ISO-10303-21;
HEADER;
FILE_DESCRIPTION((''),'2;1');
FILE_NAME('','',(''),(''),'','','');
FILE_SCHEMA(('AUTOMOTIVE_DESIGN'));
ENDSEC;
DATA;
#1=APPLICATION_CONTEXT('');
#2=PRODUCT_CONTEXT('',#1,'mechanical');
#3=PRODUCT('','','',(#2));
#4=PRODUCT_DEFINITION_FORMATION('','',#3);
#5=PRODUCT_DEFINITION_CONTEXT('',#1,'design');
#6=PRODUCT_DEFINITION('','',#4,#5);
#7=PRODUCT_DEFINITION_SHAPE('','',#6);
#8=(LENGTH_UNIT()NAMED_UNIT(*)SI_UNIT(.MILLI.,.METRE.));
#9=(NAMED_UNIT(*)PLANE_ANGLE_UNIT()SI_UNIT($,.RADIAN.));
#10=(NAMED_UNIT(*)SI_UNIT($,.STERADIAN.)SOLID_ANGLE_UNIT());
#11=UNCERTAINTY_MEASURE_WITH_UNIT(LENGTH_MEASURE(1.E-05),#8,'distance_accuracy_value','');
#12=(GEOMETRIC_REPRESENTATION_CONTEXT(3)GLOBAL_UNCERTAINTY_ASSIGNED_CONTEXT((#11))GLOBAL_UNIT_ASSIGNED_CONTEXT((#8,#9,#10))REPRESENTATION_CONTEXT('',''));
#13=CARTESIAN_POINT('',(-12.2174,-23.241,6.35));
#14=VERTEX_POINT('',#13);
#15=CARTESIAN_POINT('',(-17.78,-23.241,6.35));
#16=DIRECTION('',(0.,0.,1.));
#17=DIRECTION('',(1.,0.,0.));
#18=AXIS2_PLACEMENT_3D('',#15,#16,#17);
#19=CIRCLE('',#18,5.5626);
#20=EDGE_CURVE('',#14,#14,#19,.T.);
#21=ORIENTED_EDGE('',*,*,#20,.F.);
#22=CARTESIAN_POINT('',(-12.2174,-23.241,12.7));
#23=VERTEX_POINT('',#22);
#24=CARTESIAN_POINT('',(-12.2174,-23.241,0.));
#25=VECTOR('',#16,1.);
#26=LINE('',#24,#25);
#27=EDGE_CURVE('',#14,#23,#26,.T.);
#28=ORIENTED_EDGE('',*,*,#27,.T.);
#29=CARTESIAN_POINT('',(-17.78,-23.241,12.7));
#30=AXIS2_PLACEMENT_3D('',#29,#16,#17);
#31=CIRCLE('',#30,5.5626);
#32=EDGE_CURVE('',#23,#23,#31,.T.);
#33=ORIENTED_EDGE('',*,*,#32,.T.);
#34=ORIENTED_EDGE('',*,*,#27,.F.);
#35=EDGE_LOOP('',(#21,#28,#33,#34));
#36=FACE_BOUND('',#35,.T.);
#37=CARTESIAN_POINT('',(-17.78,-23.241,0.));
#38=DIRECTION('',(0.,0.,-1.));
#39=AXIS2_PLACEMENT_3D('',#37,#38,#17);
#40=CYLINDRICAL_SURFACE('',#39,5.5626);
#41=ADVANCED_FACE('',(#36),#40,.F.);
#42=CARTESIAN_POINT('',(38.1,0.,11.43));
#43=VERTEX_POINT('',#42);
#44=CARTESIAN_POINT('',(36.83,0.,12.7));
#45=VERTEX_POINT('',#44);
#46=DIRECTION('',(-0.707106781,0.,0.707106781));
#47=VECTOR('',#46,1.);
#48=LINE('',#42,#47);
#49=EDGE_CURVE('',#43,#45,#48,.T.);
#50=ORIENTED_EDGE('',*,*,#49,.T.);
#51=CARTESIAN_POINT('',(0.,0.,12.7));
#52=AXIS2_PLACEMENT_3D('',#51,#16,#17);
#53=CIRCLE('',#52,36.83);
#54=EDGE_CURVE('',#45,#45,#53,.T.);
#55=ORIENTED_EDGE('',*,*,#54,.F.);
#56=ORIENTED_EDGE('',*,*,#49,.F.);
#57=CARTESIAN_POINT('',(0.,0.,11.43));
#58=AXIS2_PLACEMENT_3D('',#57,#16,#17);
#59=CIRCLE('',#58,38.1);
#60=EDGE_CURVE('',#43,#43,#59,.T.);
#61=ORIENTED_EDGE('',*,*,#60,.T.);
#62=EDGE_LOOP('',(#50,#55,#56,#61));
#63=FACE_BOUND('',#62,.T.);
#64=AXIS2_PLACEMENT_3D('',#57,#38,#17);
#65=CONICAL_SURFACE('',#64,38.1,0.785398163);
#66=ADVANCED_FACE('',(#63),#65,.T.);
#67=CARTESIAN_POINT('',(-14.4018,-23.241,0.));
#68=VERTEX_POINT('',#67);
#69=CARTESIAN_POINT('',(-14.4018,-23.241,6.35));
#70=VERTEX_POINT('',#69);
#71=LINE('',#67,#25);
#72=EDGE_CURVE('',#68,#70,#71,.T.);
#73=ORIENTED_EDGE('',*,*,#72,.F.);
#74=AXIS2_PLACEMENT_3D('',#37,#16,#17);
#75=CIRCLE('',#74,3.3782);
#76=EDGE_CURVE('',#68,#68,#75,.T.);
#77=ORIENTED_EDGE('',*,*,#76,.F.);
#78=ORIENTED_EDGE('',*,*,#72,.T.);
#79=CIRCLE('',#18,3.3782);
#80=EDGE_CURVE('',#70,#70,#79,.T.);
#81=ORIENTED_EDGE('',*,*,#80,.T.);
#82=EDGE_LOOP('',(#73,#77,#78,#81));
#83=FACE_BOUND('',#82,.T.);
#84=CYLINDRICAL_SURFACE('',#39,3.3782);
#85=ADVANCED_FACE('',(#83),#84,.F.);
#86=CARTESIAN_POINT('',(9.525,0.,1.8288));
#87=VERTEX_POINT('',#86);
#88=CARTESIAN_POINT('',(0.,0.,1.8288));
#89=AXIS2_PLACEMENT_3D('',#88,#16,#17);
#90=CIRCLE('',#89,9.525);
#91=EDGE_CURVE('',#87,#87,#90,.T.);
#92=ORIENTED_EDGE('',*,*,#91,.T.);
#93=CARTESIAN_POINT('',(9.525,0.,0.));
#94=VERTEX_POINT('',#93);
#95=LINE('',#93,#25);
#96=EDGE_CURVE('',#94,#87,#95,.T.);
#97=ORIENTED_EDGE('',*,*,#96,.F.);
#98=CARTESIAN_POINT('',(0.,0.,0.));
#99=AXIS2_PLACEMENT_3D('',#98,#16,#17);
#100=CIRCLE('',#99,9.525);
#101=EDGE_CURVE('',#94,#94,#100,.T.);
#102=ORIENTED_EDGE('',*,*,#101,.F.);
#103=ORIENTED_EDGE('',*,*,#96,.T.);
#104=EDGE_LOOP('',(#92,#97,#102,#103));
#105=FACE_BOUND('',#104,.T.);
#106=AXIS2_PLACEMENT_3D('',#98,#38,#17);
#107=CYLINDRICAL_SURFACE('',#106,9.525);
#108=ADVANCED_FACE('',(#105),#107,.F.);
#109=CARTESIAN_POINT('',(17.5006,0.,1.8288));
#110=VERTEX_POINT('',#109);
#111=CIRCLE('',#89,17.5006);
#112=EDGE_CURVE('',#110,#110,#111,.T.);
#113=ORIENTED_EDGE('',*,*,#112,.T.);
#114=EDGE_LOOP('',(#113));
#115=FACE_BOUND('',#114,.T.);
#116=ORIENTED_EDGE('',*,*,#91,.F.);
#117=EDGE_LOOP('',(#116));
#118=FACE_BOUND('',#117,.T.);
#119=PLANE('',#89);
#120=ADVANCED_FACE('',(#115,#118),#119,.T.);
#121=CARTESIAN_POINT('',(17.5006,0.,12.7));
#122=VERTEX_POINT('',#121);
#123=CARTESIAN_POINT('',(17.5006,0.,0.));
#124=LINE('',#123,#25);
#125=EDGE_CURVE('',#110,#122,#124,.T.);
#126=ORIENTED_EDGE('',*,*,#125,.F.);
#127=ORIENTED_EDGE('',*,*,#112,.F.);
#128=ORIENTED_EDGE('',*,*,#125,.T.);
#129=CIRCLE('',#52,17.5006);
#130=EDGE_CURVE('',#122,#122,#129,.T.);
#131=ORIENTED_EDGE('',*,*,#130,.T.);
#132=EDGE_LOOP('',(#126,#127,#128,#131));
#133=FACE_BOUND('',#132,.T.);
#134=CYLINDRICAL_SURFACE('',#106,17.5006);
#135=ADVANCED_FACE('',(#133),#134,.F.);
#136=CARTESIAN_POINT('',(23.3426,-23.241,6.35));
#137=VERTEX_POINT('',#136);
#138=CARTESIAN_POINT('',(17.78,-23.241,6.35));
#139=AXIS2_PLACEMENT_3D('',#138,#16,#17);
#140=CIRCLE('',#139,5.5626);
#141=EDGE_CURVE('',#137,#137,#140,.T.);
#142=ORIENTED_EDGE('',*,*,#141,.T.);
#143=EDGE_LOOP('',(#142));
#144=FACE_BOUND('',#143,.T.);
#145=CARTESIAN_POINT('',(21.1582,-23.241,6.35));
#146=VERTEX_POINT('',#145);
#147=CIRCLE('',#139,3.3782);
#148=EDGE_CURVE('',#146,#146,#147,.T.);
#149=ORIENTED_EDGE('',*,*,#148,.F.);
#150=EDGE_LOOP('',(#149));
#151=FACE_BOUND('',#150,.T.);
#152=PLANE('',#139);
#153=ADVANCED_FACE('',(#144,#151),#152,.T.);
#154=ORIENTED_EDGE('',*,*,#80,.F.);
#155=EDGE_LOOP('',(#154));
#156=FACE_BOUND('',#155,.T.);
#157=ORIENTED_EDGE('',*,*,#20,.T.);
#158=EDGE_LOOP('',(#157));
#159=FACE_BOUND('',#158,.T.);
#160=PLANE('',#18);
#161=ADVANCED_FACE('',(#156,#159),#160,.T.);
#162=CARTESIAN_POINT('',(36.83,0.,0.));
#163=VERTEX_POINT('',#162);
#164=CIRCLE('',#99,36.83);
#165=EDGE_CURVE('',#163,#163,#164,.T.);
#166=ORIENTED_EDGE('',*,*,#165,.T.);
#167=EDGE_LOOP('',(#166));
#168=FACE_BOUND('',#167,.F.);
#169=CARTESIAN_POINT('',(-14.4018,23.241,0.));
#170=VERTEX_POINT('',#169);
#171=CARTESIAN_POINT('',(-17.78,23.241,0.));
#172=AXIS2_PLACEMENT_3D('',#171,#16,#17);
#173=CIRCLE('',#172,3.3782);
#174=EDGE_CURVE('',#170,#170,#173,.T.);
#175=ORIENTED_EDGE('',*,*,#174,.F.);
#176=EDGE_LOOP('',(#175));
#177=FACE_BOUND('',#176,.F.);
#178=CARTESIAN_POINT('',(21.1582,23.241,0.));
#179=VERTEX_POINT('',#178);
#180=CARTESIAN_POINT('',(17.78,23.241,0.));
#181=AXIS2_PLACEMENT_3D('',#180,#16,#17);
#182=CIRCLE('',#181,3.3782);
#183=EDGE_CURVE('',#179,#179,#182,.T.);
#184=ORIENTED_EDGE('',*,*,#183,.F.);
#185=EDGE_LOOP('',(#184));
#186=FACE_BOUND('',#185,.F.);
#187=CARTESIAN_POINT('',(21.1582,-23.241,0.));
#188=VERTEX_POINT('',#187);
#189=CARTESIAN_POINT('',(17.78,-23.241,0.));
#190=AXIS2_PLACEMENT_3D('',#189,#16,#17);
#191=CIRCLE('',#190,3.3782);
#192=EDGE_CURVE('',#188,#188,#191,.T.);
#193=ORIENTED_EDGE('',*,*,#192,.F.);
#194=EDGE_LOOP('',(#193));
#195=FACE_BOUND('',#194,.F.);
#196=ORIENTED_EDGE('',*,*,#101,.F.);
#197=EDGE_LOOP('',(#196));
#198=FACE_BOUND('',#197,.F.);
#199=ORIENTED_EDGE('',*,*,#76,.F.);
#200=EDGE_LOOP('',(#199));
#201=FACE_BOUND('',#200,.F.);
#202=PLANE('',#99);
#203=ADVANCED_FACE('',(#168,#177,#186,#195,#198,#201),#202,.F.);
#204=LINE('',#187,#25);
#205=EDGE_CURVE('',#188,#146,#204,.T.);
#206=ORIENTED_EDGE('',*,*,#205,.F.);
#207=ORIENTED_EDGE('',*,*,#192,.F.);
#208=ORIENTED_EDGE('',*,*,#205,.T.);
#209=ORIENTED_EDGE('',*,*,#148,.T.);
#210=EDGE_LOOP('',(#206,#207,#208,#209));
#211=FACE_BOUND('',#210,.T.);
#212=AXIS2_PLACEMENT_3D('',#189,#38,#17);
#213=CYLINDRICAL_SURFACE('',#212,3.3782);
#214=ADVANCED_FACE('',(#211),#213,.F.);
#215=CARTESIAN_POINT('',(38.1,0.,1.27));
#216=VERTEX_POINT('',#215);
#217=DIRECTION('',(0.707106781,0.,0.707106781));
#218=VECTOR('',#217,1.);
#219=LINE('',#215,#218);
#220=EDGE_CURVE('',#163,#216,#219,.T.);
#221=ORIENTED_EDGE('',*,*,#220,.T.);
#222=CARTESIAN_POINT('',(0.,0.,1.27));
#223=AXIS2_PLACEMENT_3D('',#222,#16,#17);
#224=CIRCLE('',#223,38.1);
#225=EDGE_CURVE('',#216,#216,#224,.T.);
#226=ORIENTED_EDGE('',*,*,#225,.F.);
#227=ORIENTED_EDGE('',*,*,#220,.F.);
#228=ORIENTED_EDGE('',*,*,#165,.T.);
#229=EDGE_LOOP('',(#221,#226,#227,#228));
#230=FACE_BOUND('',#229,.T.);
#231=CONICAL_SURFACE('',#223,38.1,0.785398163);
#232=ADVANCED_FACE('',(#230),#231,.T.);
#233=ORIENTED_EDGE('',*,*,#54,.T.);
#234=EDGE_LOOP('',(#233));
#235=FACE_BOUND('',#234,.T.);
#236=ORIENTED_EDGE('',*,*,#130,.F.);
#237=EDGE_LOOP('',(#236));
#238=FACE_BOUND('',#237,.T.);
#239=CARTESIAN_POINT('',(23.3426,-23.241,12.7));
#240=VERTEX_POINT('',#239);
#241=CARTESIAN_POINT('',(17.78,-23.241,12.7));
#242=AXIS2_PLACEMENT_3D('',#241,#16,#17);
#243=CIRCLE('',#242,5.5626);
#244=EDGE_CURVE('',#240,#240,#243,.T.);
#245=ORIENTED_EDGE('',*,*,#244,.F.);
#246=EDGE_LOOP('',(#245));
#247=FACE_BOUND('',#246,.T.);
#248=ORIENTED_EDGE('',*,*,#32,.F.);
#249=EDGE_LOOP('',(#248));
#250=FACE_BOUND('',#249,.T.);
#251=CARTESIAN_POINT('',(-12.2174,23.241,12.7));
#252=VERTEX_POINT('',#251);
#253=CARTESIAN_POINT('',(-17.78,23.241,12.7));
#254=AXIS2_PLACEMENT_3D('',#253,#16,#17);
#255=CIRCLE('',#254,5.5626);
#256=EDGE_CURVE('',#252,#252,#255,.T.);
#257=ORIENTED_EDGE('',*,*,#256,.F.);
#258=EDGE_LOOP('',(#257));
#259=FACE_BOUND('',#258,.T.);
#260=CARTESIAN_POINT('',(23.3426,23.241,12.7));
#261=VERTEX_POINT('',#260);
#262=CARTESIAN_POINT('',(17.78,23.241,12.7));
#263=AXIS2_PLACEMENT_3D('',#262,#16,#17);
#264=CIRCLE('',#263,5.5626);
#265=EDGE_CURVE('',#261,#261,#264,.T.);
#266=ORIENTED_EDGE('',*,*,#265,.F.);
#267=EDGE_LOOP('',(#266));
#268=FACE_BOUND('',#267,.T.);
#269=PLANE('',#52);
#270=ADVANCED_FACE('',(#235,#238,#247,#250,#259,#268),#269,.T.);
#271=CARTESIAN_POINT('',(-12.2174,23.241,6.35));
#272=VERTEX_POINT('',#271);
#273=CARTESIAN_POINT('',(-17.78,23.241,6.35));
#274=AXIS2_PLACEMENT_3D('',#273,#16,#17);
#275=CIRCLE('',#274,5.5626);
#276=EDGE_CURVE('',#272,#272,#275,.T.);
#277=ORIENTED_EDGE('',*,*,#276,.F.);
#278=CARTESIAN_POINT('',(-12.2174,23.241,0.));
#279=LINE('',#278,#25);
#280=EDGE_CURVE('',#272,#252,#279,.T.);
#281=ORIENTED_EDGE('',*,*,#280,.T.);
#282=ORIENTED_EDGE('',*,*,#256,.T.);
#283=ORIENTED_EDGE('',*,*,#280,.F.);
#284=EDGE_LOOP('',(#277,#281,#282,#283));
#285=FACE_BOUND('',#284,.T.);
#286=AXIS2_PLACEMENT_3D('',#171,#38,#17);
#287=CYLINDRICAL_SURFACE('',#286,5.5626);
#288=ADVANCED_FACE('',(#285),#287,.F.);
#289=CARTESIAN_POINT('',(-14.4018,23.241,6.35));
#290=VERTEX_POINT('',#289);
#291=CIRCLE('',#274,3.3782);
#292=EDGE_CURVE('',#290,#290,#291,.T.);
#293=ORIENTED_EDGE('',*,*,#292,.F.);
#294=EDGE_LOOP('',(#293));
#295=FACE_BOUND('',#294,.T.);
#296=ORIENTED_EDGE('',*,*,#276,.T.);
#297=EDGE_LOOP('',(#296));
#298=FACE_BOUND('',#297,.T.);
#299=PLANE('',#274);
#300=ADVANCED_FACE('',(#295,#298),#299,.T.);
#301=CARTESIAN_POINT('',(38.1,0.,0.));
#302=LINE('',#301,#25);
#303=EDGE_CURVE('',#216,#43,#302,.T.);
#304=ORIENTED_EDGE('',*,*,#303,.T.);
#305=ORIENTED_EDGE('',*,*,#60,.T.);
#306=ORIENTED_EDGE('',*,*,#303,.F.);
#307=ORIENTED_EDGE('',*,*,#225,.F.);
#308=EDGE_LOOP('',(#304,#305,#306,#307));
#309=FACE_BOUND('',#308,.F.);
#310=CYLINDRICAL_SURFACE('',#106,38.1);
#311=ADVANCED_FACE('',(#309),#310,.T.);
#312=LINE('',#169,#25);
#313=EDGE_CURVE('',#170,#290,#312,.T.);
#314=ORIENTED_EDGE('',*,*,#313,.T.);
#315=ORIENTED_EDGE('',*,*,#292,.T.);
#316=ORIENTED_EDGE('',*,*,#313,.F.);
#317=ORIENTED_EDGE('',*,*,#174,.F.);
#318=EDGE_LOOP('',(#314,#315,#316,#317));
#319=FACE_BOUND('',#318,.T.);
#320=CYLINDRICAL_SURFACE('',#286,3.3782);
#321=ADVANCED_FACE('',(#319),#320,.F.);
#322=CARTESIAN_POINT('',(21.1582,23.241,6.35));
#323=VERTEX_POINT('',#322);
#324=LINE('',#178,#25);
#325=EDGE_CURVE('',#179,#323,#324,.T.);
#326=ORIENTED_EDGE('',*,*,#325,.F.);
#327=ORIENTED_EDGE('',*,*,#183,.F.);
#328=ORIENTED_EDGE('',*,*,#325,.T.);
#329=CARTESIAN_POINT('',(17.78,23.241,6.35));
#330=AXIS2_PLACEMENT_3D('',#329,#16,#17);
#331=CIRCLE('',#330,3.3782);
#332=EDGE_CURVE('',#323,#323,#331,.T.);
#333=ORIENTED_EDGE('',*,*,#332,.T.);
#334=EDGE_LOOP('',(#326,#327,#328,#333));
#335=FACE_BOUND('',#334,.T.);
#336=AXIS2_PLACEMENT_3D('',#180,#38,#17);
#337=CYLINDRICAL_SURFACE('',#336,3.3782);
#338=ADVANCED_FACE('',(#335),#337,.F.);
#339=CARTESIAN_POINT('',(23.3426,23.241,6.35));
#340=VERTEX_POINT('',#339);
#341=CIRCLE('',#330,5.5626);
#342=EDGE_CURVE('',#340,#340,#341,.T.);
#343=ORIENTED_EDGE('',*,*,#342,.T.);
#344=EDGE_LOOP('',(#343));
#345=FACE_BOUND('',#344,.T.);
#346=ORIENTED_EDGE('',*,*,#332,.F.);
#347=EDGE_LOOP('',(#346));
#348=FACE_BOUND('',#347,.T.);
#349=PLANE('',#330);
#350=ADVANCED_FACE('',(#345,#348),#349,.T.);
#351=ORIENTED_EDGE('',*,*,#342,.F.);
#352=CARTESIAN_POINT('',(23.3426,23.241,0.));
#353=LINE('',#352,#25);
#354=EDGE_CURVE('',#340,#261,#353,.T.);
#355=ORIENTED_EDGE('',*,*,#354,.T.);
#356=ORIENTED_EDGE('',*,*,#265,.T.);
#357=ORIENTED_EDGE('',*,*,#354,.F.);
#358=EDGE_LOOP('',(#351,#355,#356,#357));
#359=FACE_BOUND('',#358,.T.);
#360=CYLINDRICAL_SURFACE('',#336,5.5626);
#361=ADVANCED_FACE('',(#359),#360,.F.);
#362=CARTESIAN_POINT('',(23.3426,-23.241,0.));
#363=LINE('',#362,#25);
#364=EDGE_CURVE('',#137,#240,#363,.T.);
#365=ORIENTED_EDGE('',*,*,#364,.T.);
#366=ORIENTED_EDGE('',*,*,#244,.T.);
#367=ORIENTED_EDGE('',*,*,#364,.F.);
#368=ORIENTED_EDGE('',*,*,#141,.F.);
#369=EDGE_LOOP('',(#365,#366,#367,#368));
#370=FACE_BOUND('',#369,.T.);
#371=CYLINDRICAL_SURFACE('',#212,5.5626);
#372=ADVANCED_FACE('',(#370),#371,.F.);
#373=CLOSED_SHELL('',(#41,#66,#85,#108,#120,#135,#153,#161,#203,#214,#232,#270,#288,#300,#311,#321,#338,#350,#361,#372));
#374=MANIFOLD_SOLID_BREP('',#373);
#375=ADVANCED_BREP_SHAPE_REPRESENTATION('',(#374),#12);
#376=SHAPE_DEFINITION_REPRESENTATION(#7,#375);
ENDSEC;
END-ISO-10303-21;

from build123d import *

# Parameters (mm, degrees)
F0_R     = 38.1
F0_R_2   = 5.5626
F0_R_3   = 17.5006
F1_DEPTH = 12.7
F0_R_4   = 3.3782
F2_DEPTH = 6.35
F0_R_5   = 9.525
F3_DEPTH = 1.8288
F4_SIZE  = 1.27


with BuildPart() as f1:
    # F0 (on Top) → F1 (new body)
    with BuildSketch(Plane.XY):
        Circle(F0_R)
        with Locations((-17.78, -23.241)):
            Circle(F0_R_2, mode=Mode.SUBTRACT)
        with Locations((17.78, -23.241)):
            Circle(F0_R_2, mode=Mode.SUBTRACT)
        with Locations((-17.78, 23.241)):
            Circle(F0_R_2, mode=Mode.SUBTRACT)
        Circle(F0_R_3, mode=Mode.SUBTRACT)
        with Locations((17.78, 23.241)):
            Circle(F0_R_2, mode=Mode.SUBTRACT)
    extrude(amount=F1_DEPTH)

    # F0 (on Top) → F2 (join)
    with BuildSketch(Plane.XY):
        with Locations((-17.78, 23.241)):
            Circle(F0_R_2)
        with Locations((-17.78, 23.241)):
            Circle(F0_R_4, mode=Mode.SUBTRACT)
        with Locations((17.78, 23.241)):
            Circle(F0_R_2)
        with Locations((17.78, 23.241)):
            Circle(F0_R_4, mode=Mode.SUBTRACT)
        with Locations((17.78, -23.241)):
            Circle(F0_R_2)
        with Locations((17.78, -23.241)):
            Circle(F0_R_4, mode=Mode.SUBTRACT)
        with Locations((-17.78, -23.241)):
            Circle(F0_R_2)
        with Locations((-17.78, -23.241)):
            Circle(F0_R_4, mode=Mode.SUBTRACT)
    extrude(amount=F2_DEPTH)

    # F0 (on Top) → F3 (join)
    with BuildSketch(Plane.XY):
        Circle(F0_R_3)
        Circle(F0_R_5, mode=Mode.SUBTRACT)
    extrude(amount=F3_DEPTH)

    # F4
    f4_edges = [f1.edges().sort_by_distance(p)[0] for p in [
        (-38.1, 0, 12.7),
        (-38.1, 0, 0),
    ]]
    chamfer(f4_edges, length=F4_SIZE)


solid = f1.part
